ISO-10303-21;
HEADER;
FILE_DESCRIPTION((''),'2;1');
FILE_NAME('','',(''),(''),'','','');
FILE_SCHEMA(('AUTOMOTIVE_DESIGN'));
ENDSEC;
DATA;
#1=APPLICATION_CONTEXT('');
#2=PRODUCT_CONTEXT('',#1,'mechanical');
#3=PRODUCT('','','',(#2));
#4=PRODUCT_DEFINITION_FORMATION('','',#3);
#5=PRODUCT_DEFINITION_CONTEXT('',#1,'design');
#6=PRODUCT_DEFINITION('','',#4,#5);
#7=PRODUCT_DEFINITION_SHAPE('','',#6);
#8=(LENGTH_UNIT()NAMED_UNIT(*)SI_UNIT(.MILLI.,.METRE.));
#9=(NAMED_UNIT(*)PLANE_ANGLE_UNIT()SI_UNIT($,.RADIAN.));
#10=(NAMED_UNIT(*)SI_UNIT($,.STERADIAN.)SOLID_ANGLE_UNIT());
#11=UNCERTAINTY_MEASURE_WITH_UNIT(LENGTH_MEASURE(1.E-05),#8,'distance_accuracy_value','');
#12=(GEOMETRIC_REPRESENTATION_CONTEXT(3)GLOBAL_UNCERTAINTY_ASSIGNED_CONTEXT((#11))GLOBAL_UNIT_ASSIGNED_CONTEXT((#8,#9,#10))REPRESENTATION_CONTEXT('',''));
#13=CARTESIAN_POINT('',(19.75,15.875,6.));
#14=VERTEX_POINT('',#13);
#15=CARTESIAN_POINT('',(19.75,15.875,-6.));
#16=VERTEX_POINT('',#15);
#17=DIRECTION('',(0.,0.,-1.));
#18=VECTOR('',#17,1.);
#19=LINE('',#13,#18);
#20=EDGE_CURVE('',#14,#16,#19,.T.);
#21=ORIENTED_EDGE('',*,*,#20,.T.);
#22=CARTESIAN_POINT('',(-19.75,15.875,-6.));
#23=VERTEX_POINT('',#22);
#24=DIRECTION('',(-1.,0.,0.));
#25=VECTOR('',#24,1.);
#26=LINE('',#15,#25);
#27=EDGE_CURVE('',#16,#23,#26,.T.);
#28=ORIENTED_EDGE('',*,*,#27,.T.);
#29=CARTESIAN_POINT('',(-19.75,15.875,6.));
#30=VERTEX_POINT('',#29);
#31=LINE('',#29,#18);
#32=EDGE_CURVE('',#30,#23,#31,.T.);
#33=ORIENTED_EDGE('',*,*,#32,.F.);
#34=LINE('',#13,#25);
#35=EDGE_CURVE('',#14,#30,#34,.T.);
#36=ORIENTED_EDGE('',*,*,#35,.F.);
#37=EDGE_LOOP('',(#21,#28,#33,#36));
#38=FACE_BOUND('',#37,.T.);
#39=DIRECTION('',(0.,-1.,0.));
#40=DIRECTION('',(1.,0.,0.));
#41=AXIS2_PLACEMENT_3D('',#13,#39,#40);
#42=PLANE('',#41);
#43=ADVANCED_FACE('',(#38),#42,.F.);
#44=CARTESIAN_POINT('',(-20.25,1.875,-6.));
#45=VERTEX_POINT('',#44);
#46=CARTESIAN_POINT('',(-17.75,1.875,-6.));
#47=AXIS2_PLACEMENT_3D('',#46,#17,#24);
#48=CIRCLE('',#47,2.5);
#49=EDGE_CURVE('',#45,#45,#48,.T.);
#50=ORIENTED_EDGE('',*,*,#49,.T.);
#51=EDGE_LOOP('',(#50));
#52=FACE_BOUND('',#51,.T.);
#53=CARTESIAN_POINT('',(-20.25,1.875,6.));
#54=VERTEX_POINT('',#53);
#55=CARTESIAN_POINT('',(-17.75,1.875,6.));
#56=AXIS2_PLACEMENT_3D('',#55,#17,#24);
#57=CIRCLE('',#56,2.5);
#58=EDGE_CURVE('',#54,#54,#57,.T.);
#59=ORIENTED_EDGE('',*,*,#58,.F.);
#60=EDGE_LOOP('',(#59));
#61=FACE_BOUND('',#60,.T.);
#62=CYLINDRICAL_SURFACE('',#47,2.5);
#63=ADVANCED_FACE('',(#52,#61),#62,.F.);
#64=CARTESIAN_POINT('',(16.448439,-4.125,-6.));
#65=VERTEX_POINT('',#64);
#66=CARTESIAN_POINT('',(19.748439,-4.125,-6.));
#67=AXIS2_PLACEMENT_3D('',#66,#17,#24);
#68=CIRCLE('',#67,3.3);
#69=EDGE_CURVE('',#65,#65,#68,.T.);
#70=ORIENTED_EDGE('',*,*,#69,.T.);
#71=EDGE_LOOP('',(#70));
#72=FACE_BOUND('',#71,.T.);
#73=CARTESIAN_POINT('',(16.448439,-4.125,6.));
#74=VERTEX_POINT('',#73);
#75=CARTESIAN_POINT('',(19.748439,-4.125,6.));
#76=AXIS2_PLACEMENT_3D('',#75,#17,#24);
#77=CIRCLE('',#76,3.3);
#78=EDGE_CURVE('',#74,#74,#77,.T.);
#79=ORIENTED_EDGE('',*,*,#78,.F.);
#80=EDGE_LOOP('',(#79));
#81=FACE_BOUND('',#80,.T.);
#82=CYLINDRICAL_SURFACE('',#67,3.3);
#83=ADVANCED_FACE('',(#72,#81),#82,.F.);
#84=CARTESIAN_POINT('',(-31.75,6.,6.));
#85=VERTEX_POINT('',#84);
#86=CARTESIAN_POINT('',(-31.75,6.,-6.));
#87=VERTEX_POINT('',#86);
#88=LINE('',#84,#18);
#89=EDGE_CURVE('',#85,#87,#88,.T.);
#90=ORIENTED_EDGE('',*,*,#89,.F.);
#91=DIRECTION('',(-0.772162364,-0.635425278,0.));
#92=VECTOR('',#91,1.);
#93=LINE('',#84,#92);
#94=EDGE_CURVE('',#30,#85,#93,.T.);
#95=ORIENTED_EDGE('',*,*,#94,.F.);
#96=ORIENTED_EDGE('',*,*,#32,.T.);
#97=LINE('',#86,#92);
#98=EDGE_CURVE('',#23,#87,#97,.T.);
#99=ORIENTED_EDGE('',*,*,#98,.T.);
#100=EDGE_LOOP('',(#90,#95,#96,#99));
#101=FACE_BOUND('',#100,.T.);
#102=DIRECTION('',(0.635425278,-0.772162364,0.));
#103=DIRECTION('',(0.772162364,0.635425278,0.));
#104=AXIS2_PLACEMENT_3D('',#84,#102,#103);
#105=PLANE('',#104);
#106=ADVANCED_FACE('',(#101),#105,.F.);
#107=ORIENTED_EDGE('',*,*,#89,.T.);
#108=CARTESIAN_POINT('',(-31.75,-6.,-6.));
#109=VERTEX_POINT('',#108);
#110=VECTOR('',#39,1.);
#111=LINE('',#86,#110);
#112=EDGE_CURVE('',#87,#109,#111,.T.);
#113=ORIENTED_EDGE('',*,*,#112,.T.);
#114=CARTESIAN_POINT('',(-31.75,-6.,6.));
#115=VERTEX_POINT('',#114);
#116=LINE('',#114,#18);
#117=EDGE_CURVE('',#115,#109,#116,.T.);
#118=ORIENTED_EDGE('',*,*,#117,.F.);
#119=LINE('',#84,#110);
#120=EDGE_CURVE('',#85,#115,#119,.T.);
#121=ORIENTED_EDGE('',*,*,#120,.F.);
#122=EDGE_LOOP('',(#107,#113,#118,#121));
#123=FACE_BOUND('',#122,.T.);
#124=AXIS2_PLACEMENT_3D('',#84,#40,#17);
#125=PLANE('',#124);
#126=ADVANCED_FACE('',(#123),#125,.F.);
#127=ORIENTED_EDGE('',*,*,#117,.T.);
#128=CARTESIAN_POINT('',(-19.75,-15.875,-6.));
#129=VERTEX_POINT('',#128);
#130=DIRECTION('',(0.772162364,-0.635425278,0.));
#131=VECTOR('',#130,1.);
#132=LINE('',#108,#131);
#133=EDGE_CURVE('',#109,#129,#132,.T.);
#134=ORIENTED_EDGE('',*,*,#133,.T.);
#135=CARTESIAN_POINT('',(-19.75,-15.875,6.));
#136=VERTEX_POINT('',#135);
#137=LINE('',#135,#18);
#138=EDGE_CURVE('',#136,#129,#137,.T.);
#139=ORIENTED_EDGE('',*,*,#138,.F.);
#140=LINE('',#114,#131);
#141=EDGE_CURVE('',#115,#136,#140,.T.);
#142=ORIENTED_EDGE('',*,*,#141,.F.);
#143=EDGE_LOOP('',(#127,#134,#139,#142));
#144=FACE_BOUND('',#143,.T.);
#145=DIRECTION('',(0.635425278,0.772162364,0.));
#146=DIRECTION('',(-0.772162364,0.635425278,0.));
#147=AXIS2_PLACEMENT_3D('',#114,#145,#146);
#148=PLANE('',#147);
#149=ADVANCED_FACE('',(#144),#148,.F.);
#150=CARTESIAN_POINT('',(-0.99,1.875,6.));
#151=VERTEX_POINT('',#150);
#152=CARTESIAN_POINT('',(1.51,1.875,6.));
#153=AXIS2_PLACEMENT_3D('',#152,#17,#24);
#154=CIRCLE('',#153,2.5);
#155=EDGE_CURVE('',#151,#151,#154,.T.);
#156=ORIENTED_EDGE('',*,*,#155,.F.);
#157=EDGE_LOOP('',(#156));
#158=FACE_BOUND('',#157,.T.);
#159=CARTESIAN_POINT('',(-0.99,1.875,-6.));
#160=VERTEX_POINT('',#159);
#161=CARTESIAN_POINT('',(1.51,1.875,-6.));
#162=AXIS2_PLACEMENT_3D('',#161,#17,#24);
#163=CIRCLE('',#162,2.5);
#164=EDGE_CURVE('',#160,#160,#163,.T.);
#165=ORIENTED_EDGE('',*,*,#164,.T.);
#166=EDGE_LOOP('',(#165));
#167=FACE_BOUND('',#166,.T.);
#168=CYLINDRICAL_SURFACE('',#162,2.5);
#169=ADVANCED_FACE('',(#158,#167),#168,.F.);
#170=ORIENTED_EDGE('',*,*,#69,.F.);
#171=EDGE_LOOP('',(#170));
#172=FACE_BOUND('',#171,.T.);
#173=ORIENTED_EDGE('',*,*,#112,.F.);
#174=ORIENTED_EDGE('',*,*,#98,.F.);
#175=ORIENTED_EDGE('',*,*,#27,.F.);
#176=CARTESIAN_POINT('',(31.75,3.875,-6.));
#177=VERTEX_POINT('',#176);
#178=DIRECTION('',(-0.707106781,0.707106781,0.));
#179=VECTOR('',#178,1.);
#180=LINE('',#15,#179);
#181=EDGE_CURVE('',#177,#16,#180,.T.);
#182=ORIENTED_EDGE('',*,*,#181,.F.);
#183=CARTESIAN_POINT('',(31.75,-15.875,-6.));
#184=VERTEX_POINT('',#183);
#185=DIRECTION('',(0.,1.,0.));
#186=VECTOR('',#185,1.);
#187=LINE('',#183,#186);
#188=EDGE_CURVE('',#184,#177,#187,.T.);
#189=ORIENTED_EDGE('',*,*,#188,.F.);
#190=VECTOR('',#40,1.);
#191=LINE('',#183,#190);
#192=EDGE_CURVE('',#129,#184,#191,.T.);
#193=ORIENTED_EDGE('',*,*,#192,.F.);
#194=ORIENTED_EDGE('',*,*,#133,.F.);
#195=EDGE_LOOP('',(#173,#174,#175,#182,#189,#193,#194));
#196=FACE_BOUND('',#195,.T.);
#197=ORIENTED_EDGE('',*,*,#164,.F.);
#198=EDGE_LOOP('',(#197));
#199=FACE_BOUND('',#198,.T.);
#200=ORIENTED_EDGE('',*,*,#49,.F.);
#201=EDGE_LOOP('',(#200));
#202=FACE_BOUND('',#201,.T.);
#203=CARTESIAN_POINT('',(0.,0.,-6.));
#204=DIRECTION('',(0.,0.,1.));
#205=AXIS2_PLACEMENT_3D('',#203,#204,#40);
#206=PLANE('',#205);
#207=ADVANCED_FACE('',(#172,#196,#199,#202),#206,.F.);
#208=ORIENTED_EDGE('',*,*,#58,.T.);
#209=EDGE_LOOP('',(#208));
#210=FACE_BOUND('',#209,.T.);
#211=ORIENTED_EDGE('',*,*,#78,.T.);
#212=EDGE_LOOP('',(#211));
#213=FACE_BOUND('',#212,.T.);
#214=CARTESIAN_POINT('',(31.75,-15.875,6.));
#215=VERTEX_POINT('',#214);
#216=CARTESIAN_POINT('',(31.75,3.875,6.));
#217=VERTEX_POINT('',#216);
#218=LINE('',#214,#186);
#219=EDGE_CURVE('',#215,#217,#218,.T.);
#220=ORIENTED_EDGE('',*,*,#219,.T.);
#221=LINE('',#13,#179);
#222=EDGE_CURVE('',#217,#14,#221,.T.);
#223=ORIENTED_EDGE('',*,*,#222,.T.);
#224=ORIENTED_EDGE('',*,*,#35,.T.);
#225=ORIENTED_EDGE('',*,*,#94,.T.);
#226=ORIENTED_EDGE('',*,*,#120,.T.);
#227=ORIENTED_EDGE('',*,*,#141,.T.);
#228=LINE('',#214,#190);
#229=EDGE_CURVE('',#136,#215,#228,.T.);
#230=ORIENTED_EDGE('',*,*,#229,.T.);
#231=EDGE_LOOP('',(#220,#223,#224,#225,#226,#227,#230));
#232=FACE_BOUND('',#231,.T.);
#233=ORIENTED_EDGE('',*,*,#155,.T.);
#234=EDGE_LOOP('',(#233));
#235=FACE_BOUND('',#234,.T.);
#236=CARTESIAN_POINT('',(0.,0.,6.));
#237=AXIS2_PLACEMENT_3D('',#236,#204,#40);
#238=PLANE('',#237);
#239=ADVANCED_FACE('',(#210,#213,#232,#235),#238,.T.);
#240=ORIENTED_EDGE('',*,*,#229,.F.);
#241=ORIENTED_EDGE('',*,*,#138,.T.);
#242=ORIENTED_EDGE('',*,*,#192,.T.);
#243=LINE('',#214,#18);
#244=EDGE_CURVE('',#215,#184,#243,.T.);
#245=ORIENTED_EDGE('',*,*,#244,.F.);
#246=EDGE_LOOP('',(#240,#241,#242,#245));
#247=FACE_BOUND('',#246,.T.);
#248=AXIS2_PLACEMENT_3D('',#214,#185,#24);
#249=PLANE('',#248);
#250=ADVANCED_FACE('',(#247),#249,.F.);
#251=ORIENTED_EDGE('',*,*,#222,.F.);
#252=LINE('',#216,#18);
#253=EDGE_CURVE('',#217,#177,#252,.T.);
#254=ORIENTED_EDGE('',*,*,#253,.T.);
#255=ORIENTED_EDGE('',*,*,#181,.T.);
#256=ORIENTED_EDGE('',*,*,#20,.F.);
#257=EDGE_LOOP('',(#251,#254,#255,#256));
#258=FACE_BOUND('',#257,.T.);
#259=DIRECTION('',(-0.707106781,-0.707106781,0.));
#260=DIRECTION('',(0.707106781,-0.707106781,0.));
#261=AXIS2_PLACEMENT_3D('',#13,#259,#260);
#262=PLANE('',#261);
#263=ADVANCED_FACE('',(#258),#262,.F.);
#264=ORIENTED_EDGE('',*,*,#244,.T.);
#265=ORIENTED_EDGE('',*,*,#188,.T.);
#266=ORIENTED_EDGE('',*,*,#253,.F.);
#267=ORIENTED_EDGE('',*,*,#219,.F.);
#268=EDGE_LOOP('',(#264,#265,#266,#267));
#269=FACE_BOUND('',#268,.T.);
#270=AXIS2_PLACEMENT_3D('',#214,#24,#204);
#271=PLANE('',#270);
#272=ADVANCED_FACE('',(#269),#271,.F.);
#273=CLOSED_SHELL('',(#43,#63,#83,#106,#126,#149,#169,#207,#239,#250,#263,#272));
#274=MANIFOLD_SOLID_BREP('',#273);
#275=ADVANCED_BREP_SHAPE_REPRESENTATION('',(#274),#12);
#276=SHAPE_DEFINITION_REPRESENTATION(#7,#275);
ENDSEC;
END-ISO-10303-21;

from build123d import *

# Parameters (mm, degrees)
BOSS_EXTRUDE1_DEPTH   = 6
M6X1_0_TAPPED_HOLE1_D = 5
M6_CLEARANCE_HOLE1_D  = 6.6


with BuildPart() as part:
    # Sketch2 → Boss-Extrude1 (new, symmetric)
    with BuildSketch(Plane.XY):
        Polygon((31.75, -15.875), (-19.75, -15.875), (-31.75, -6), (-31.75, 6), (-19.75, 15.875), (19.75, 15.875), (31.75, 3.875), align=None)
    extrude(amount=BOSS_EXTRUDE1_DEPTH, both=True)

    # M6x1.0 Tapped Hole1 (through all)
    with Locations(Plane(origin=(0, 0, -6), x_dir=(-1, 0, 0), z_dir=(0, 0, -1))):
        with Locations((17.75, 1.875), (-1.51, 1.875)):
            Hole(M6X1_0_TAPPED_HOLE1_D / 2)

    # M6 Clearance Hole1 (through all)
    with Locations(Plane(origin=(0, 0, -6), x_dir=(-1, 0, 0), z_dir=(0, 0, -1))):
        with Locations((-19.74843928, -4.125)):
            Hole(M6_CLEARANCE_HOLE1_D / 2)


solid = part.part
